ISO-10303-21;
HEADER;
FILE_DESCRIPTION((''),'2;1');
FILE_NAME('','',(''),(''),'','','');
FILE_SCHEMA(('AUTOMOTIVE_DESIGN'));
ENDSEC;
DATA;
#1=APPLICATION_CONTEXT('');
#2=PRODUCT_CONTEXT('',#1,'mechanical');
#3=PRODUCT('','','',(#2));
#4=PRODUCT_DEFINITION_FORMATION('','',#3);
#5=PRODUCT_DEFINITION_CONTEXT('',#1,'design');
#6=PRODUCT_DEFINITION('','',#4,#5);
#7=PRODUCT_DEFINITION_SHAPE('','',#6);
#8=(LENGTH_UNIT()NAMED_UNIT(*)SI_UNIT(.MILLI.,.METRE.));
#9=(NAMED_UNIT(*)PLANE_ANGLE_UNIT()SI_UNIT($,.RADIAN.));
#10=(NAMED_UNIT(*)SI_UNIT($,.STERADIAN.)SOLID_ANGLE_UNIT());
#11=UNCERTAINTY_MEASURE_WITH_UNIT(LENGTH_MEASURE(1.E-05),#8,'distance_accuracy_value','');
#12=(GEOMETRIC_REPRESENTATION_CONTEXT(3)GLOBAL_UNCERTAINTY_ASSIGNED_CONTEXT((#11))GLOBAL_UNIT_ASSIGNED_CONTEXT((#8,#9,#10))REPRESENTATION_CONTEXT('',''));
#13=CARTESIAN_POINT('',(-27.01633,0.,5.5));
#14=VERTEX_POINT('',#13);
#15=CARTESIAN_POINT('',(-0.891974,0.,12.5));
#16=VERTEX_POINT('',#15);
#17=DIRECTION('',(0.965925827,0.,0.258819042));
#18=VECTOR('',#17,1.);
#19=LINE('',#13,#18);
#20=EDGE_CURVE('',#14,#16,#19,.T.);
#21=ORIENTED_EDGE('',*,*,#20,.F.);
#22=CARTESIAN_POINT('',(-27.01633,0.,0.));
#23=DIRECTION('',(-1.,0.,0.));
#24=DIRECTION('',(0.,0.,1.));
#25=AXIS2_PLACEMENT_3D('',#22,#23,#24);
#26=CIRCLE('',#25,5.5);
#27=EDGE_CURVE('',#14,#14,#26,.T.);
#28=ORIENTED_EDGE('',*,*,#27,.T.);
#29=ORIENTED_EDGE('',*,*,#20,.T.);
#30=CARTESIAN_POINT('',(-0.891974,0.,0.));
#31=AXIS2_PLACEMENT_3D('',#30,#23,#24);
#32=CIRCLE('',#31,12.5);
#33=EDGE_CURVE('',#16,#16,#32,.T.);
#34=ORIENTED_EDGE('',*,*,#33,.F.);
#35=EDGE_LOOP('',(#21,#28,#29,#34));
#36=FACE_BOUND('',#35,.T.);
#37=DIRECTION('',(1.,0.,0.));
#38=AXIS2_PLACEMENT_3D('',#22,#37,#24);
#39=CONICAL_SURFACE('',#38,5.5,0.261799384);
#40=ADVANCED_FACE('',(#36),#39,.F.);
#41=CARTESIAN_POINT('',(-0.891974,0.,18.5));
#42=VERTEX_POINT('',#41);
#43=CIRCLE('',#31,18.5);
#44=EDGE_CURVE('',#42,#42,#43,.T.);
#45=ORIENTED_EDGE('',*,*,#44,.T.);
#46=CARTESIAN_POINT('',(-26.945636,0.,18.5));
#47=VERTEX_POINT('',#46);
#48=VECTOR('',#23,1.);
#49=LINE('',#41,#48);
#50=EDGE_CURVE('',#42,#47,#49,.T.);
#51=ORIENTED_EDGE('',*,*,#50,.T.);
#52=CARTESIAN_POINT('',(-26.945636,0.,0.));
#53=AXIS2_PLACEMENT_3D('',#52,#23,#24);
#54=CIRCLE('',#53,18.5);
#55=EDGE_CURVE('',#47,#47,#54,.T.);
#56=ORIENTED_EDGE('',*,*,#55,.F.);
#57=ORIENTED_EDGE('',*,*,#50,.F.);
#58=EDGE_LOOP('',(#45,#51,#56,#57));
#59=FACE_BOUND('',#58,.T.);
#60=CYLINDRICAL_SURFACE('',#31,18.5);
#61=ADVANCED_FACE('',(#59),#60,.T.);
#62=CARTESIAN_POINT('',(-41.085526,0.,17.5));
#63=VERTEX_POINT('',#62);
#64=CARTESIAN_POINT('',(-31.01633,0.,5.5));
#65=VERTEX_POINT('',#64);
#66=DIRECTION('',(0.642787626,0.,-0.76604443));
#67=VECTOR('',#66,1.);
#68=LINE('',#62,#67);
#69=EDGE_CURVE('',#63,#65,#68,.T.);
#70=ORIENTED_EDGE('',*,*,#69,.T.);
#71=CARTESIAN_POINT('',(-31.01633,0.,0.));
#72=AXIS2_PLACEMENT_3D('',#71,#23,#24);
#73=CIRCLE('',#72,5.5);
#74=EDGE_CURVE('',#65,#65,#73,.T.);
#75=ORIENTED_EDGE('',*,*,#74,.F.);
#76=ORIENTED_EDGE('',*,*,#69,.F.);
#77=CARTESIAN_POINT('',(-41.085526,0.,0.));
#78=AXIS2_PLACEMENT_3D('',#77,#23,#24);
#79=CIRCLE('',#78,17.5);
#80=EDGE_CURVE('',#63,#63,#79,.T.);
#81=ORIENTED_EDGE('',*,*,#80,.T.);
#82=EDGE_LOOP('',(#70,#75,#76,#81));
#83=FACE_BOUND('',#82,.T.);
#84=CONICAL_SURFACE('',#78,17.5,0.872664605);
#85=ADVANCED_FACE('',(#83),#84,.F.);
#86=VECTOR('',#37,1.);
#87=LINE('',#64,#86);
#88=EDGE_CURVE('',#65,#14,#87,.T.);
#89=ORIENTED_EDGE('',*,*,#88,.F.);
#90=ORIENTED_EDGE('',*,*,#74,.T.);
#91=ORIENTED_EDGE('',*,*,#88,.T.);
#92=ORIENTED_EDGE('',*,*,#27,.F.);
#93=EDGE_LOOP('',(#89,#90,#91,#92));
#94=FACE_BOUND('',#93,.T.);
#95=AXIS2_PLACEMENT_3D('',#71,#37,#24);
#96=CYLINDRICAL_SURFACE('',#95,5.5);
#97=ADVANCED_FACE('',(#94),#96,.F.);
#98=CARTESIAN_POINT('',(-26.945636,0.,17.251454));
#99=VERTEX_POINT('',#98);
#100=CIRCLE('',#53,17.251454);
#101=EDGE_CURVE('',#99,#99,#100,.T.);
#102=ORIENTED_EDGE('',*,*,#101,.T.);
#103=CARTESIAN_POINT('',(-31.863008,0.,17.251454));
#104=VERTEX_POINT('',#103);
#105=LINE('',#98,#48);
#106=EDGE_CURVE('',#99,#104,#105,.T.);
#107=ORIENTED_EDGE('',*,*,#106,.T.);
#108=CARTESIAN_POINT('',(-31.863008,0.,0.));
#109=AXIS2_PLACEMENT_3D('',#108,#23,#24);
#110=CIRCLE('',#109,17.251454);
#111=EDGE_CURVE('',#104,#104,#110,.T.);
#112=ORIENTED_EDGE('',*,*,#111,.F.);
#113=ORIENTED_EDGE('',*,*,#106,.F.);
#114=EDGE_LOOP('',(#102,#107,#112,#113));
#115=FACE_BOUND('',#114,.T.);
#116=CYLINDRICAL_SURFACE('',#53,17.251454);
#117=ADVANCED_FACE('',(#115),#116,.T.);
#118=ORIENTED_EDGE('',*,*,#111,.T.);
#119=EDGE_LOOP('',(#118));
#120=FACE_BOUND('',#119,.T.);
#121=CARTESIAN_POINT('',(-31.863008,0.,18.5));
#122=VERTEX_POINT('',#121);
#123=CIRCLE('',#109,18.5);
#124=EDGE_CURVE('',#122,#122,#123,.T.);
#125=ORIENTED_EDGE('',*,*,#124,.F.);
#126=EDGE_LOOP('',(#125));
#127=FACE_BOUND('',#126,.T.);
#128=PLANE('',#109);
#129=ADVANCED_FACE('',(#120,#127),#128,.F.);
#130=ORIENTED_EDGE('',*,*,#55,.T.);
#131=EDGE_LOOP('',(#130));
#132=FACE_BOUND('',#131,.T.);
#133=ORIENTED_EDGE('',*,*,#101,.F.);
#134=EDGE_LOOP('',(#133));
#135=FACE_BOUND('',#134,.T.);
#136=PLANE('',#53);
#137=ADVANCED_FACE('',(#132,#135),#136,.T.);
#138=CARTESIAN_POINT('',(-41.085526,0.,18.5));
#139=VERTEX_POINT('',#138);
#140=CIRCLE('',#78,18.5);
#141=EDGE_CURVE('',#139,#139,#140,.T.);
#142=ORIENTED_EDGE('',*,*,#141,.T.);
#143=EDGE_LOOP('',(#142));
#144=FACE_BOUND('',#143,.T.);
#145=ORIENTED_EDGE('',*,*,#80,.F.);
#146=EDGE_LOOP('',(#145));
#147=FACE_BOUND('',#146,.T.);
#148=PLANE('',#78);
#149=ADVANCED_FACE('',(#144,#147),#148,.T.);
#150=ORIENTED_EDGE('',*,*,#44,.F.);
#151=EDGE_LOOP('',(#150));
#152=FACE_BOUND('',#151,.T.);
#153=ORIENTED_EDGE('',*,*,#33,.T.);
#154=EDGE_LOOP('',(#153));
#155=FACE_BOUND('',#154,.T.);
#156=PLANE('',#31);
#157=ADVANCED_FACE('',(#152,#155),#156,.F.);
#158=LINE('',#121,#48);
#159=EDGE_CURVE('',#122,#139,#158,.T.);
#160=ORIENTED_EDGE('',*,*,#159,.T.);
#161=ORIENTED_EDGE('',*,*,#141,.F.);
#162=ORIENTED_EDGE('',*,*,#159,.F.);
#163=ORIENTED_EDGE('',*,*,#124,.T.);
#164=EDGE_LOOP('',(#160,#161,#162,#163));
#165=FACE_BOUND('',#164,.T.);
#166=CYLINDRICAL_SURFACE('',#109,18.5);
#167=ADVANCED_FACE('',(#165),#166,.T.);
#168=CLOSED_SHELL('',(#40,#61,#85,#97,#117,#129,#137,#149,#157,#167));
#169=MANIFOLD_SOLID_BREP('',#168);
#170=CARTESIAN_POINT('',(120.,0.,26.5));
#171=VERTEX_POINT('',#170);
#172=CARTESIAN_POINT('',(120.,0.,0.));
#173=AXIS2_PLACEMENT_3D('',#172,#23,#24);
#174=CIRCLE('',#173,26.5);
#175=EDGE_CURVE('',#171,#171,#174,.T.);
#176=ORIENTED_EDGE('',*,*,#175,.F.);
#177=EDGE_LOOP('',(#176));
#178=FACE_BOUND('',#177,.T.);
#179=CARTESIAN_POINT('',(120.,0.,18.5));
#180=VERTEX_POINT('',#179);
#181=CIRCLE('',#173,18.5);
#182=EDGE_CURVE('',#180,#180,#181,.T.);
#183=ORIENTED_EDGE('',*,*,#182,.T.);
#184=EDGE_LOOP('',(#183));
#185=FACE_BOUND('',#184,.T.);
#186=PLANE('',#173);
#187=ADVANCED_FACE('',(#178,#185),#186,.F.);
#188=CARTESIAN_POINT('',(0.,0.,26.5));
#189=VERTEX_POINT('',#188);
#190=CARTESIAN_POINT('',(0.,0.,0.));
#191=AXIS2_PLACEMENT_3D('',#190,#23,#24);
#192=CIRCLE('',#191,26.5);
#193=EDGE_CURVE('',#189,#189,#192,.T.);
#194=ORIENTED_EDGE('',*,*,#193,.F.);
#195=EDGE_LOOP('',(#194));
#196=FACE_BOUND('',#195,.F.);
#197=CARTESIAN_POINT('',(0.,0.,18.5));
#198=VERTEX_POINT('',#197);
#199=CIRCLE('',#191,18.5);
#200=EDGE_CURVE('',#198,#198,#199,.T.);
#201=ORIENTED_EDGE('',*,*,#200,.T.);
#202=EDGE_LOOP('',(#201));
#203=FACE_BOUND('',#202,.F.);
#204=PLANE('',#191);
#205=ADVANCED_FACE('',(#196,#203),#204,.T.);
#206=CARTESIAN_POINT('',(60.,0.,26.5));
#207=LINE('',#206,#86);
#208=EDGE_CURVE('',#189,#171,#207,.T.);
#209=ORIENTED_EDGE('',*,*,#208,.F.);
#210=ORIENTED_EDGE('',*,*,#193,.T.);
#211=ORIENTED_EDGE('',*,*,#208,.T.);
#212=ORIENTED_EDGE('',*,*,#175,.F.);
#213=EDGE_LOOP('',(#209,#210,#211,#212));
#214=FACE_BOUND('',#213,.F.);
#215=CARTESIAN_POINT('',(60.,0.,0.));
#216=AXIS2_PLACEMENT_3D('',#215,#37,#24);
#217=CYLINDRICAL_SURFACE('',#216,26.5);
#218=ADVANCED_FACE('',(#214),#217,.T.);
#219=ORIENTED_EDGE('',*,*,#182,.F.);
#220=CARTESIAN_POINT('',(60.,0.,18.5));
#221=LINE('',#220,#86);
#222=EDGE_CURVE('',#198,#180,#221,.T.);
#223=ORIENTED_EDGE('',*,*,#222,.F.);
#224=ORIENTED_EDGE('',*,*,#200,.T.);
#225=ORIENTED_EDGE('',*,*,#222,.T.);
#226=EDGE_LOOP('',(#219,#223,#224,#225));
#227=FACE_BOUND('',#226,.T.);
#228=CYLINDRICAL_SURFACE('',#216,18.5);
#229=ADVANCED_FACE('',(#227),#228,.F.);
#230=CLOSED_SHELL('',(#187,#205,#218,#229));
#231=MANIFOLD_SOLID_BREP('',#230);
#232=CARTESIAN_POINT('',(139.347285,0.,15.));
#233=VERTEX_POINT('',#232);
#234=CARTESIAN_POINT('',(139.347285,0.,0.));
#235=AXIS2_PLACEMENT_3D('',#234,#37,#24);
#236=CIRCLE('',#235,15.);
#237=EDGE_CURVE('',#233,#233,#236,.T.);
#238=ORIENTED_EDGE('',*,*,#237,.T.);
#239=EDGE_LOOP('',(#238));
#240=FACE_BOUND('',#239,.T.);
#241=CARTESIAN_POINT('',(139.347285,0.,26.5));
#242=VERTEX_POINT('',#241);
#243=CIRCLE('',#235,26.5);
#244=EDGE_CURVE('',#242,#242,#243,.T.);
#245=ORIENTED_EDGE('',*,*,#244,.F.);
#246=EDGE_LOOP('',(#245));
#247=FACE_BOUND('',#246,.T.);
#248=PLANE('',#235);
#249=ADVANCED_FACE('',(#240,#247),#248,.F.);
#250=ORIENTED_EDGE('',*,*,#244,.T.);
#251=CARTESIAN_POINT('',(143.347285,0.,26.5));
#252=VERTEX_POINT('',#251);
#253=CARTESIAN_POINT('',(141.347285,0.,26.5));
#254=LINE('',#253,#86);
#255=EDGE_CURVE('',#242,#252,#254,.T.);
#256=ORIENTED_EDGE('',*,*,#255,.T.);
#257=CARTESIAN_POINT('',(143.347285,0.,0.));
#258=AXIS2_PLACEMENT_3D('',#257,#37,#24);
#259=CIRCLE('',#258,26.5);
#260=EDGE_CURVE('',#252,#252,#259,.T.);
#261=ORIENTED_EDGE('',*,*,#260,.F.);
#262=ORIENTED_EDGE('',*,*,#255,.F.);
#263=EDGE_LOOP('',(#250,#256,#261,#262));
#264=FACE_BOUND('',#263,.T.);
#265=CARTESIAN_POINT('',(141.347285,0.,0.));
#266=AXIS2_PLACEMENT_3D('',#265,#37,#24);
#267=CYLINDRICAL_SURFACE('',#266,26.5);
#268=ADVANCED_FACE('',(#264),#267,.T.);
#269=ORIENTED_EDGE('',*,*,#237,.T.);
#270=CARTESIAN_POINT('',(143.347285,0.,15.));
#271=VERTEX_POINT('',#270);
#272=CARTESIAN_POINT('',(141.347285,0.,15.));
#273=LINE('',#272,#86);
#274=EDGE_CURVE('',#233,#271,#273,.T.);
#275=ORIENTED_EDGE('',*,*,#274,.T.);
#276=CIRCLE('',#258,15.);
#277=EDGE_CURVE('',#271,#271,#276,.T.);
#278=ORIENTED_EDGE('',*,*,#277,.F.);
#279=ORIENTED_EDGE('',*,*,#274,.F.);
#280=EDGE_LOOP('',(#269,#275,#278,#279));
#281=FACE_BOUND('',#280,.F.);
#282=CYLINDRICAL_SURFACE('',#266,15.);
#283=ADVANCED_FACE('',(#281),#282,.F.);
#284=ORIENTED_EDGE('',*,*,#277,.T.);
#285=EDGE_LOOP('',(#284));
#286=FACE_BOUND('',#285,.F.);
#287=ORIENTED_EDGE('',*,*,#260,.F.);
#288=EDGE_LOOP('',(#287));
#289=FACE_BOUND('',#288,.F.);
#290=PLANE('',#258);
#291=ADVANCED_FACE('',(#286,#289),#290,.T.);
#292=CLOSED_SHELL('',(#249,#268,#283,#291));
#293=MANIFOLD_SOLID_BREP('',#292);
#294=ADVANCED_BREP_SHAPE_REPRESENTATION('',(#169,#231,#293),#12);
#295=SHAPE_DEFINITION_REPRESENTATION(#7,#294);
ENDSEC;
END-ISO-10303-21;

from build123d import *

# Parameters (mm, degrees)
F0_W = 120
F0_H = 8
F4_W = 4
F4_H = 11.5


with BuildPart() as f1:
    # F0 (on Front) → F1 (revolve)
    with BuildSketch(Plane.XZ):
        with Locations((60, 22.5)):
            Rectangle(F0_W, F0_H)
    revolve(axis=Axis((70.710246, 0, 0), (-1, 0, 0)))


with BuildPart() as f3:
    # F2 (on Front) → F3 (revolve)
    with BuildSketch(Plane.XZ):
        Polygon((-31.863008, 18.5), (-41.085526, 18.5), (-41.085526, 17.5), (-31.01633, 5.5), (-27.01633, 5.5), (-0.891974, 12.5), (-0.891974, 18.5), (-26.945636, 18.5), (-26.945636, 17.251454), (-31.863008, 17.251454), align=None)
    revolve(axis=Axis((-18.90575, 0, 0), (-1, 0, 0)))


with BuildPart() as f5:
    # F4 (on Front) → F5 (revolve)
    with BuildSketch(Plane.XZ):
        with Locations((141.347285, 20.75)):
            Rectangle(F4_W, F4_H)
    revolve(axis=Axis((106.369392, 0, 0), (1, 0, 0)))


solid = Compound([f1.part, f3.part, f5.part])
